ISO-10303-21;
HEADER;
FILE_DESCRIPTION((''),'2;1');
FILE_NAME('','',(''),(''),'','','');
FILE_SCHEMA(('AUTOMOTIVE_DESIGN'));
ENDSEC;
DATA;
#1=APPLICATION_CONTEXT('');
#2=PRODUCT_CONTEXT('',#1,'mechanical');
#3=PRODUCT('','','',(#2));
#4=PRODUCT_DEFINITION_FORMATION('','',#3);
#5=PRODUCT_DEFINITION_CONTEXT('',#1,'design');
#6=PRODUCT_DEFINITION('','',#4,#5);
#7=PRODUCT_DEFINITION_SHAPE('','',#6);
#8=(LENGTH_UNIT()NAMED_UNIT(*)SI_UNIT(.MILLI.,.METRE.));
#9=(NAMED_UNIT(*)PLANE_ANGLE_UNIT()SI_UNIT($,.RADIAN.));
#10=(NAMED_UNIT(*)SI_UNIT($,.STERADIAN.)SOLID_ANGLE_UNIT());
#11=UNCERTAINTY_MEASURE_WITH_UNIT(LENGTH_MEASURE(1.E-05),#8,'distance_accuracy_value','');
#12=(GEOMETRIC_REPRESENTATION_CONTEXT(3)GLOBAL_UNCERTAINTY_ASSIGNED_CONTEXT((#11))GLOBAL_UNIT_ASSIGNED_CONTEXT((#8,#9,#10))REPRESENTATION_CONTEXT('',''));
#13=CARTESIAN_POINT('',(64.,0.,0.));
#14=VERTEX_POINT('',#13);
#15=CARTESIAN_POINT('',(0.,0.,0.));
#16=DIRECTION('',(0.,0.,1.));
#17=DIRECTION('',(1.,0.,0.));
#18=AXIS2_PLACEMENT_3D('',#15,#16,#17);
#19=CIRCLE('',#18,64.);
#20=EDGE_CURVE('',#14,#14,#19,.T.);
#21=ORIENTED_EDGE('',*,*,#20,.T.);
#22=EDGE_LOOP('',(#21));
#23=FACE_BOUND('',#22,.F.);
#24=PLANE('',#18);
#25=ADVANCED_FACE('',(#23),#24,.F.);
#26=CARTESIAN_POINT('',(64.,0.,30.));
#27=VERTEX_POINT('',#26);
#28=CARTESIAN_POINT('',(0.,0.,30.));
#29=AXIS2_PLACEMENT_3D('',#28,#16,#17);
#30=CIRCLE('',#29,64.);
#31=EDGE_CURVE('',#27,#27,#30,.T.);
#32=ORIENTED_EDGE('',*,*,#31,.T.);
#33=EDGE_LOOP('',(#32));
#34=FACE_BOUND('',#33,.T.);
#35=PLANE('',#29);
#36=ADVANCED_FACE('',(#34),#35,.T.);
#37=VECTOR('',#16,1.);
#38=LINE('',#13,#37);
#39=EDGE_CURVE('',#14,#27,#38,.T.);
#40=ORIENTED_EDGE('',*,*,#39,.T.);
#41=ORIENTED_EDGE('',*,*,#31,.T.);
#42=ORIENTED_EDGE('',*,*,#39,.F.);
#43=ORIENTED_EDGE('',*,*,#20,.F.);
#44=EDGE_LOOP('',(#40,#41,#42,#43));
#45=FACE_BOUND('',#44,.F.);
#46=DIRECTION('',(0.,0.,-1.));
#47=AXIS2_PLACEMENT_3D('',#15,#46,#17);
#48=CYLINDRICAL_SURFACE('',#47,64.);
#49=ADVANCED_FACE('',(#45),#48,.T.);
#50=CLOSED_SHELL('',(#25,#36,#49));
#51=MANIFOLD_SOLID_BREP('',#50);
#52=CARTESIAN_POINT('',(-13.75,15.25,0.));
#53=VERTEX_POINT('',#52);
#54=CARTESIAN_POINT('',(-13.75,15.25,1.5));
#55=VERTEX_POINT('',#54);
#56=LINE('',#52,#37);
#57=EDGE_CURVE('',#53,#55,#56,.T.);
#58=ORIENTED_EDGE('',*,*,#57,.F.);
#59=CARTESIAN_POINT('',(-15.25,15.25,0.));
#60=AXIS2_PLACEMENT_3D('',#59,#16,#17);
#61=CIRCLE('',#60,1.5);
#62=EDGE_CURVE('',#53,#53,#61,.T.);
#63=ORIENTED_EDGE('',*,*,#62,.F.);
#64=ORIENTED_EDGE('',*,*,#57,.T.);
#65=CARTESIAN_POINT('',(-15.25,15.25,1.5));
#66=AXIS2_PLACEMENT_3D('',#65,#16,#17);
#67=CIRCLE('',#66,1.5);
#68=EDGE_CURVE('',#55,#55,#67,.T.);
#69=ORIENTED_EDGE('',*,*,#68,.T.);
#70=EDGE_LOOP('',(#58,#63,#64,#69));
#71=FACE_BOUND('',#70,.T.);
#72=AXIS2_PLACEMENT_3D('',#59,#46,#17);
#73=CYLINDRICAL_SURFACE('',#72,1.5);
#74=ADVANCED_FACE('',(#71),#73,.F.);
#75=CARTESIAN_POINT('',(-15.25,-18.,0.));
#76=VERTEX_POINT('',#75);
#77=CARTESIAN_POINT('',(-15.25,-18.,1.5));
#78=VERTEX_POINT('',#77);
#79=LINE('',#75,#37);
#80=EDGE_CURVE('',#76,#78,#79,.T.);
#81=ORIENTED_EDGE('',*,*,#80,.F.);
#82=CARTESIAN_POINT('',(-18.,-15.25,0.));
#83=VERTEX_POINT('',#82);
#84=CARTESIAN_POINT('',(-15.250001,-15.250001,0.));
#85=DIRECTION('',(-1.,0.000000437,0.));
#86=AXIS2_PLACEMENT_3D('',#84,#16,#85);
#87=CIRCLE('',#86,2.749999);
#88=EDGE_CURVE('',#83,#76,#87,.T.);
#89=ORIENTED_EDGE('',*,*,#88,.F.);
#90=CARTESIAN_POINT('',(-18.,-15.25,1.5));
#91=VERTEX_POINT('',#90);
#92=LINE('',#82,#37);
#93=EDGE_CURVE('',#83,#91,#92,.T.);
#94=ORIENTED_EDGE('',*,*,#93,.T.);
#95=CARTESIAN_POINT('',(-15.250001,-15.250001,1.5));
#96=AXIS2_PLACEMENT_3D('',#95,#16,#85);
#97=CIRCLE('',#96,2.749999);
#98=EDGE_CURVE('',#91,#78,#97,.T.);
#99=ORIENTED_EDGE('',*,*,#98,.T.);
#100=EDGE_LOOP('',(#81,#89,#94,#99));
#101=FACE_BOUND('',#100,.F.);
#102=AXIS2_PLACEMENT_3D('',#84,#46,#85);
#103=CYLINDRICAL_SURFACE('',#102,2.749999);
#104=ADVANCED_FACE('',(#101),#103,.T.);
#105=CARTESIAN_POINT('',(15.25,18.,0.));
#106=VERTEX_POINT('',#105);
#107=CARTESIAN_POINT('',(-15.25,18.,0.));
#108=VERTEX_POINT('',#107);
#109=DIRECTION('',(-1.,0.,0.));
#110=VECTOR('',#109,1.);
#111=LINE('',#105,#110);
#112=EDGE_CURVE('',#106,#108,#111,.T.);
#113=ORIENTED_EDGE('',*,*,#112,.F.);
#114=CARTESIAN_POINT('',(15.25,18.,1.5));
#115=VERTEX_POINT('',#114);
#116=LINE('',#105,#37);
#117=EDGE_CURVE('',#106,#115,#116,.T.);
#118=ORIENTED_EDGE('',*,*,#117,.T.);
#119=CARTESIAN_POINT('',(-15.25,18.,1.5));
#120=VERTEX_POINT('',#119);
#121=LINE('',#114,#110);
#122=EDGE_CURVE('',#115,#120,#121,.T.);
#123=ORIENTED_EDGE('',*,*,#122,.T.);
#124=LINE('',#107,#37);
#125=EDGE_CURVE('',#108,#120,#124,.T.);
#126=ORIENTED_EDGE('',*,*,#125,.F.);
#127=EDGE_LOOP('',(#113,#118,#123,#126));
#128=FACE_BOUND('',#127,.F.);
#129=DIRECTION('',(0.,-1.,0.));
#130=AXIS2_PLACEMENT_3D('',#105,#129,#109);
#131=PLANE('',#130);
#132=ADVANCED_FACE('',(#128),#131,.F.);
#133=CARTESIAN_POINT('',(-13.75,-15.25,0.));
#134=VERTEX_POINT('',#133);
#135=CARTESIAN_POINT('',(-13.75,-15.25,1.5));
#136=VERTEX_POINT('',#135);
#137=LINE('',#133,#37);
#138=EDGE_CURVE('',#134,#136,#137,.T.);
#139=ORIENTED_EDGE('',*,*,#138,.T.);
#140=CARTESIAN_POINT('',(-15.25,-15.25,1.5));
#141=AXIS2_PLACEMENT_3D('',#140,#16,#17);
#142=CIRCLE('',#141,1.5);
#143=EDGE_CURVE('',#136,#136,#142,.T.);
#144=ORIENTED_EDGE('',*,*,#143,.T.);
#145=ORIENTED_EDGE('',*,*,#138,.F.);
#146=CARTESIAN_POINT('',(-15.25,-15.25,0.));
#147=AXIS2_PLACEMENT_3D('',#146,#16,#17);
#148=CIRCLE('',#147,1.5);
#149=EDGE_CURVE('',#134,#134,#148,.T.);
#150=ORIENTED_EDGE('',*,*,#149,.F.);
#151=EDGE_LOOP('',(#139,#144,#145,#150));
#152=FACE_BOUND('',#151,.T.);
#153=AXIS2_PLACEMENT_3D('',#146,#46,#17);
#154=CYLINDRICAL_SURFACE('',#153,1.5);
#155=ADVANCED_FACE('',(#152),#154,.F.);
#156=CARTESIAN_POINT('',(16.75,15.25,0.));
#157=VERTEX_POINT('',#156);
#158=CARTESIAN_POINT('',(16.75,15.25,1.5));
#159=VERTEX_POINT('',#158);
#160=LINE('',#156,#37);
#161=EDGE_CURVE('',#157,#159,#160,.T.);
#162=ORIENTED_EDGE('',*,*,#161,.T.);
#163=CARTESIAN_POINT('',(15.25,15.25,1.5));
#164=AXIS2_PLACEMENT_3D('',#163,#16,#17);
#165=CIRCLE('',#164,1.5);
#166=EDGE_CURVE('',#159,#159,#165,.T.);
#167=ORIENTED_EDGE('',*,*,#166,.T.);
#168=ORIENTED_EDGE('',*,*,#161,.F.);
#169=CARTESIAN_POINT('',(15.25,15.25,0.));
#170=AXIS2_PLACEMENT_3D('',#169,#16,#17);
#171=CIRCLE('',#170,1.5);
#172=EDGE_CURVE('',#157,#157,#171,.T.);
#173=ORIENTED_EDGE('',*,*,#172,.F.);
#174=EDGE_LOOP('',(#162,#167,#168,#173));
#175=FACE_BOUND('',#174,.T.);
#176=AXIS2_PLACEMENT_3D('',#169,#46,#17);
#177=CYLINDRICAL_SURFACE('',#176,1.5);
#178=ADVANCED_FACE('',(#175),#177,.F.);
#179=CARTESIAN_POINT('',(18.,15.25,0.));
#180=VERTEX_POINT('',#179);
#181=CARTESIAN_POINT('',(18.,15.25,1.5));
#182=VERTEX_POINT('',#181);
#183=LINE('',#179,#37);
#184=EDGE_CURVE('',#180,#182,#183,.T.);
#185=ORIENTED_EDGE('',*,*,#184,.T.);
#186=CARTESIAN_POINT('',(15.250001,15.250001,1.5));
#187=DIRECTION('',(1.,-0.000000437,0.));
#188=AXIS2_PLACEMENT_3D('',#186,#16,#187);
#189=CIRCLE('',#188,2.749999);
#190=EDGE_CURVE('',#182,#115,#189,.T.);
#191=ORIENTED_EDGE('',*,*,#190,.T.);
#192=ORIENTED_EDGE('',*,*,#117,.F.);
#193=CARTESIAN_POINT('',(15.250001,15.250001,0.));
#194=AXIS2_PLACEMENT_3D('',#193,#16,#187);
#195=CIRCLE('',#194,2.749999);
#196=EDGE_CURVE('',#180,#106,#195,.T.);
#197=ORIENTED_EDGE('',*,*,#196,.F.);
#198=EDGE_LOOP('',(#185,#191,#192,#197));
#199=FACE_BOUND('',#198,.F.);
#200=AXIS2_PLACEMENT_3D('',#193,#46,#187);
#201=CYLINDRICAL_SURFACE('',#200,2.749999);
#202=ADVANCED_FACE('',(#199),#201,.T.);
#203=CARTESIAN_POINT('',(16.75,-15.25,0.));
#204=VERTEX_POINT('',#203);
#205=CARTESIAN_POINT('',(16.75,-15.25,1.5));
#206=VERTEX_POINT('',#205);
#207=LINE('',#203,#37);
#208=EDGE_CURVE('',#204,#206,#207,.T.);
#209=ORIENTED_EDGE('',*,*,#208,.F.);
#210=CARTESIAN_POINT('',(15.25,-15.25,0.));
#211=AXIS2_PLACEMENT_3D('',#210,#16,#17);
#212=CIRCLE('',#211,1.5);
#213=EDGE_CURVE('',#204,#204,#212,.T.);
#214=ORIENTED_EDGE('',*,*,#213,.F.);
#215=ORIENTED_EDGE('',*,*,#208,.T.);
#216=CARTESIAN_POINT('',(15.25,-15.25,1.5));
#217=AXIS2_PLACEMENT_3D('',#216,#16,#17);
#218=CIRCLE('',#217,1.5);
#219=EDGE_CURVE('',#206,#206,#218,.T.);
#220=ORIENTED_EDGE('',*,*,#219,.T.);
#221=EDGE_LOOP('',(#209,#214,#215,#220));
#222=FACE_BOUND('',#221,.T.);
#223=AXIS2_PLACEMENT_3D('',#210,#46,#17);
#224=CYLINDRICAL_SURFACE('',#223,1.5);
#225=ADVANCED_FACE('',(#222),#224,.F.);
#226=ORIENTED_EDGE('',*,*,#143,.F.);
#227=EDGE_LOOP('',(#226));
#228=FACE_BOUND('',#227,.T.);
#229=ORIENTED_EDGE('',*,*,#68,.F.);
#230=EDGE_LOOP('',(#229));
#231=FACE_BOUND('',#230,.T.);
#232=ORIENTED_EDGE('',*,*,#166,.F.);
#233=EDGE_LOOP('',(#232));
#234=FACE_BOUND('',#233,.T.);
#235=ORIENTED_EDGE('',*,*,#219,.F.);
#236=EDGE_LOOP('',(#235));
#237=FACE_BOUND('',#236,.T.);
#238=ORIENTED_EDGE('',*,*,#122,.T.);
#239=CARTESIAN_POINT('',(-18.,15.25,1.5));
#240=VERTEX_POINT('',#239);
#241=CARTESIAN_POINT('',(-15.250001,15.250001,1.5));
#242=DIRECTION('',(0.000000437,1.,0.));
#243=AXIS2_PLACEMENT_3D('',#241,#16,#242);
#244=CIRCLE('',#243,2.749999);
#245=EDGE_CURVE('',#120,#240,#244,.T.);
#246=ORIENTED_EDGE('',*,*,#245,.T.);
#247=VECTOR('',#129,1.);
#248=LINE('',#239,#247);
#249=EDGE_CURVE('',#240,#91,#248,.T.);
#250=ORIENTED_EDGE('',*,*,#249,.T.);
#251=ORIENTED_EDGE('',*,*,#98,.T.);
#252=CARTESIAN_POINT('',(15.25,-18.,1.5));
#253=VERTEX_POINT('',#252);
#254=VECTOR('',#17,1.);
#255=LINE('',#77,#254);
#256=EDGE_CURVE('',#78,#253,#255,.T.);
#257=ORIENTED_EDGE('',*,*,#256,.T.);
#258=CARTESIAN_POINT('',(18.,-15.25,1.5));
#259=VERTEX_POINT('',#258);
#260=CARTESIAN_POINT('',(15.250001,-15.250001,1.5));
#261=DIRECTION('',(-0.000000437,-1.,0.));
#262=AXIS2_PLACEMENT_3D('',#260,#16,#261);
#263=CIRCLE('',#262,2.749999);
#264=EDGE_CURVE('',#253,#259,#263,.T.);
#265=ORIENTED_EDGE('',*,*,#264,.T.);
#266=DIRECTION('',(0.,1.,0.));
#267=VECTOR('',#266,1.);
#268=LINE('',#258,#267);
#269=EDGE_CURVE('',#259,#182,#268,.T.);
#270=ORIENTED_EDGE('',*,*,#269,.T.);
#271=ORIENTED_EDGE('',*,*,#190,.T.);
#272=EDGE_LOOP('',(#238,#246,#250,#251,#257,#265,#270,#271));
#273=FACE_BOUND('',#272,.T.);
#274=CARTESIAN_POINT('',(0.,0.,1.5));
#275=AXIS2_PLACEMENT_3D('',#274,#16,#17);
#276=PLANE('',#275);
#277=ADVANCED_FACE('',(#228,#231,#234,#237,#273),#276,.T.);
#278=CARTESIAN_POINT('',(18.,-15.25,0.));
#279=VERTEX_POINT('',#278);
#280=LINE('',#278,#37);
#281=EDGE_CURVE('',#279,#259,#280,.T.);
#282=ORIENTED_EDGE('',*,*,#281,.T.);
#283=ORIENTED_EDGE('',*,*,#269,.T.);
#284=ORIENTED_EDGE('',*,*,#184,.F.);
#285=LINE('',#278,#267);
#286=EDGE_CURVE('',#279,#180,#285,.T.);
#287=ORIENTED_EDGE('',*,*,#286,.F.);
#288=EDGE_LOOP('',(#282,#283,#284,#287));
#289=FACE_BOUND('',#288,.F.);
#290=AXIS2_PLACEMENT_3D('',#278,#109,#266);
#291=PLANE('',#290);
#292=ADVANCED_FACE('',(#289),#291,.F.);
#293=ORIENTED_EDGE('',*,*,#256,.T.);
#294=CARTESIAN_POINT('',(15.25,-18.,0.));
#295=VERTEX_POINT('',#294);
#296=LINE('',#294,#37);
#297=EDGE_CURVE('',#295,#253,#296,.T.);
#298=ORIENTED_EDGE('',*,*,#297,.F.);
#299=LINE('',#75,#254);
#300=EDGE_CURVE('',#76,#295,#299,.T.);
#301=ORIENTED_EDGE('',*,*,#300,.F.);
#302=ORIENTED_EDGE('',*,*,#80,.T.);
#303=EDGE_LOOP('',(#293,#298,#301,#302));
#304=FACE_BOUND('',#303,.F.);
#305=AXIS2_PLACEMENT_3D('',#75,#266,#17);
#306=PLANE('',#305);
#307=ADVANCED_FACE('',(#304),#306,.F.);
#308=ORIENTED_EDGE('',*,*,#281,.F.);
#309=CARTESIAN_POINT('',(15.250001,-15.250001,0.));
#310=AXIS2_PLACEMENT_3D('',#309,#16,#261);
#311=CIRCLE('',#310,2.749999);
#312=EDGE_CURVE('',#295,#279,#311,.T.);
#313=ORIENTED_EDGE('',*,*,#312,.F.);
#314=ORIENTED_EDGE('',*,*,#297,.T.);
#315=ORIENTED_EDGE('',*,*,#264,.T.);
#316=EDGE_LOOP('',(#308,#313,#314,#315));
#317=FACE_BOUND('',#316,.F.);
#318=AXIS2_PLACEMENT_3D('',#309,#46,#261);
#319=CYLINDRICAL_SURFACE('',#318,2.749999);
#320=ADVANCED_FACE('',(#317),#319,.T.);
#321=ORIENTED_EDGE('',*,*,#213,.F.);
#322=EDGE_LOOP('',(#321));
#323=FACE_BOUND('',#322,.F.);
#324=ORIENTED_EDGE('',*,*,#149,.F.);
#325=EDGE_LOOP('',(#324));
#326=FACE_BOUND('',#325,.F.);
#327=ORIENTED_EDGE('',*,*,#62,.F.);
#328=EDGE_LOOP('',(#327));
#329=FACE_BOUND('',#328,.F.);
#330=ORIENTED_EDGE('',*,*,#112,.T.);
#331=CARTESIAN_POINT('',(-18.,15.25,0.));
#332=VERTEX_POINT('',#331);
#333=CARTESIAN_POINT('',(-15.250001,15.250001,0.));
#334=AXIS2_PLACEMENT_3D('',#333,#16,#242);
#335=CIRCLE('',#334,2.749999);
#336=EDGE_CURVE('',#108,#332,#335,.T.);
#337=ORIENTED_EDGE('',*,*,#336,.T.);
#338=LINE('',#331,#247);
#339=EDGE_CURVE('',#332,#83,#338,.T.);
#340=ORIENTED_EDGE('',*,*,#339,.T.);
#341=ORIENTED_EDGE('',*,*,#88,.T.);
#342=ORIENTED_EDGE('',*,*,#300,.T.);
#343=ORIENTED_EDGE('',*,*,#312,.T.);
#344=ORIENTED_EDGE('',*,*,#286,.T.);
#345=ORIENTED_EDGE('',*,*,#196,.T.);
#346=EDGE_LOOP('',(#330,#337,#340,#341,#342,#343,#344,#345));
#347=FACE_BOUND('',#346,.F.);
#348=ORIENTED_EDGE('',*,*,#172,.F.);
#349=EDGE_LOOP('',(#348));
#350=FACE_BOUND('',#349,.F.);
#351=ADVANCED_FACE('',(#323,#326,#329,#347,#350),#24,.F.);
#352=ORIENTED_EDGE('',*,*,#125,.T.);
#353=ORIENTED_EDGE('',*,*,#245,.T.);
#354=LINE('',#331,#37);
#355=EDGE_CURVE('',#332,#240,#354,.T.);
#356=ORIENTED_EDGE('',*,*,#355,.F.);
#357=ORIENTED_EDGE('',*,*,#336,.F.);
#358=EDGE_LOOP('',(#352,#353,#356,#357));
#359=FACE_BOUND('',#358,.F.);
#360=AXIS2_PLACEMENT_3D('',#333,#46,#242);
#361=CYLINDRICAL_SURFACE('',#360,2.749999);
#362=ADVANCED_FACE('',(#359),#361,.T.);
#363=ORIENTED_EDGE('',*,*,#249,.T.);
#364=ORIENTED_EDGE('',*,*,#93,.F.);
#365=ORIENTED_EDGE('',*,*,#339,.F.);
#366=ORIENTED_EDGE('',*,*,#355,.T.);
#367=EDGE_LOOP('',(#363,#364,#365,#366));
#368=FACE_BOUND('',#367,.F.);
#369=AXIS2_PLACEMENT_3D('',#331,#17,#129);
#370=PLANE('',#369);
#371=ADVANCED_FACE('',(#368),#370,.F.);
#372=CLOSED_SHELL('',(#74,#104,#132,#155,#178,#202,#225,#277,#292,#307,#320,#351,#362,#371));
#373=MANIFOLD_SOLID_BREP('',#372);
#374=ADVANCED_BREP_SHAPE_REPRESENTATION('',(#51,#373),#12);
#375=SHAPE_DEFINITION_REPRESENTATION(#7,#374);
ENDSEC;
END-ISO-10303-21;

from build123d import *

# Parameters (mm, degrees)
F0_R     = 1.5
F1_DEPTH = 1.5
F2_R     = 64
F3_DEPTH = 30


with BuildPart() as f1:
    # F0 (on Top) → F1 (new body)
    with BuildSketch(Plane.XY):
        with BuildLine():
            Line((0, 18), (-15.25, 18))
            ThreePointArc((-15.25, 18), (-17.194544, 17.194544), (-18, 15.25))
            Line((-18, 15.25), (-18, 0))
            Line((-18, 0), (-18, -15.25))
            ThreePointArc((-18, -15.25), (-17.194544, -17.194544), (-15.25, -18))
            Line((-15.25, -18), (0, -18))
            Line((0, -18), (15.25, -18))
            ThreePointArc((15.25, -18), (17.194544, -17.194544), (18, -15.25))
            Line((18, -15.25), (18, 0))
            Line((18, 0), (18, 15.25))
            ThreePointArc((18, 15.25), (17.194544, 17.194544), (15.25, 18))
            Line((15.25, 18), (0, 18))
        make_face()
        with Locations((-15.25, -15.25)):
            Circle(F0_R, mode=Mode.SUBTRACT)
        with Locations((15.25, -15.25)):
            Circle(F0_R, mode=Mode.SUBTRACT)
        with Locations((-15.25, 15.25)):
            Circle(F0_R, mode=Mode.SUBTRACT)
        with Locations((15.25, 15.25)):
            Circle(F0_R, mode=Mode.SUBTRACT)
    extrude(amount=F1_DEPTH)


with BuildPart() as f3:
    # F2 (on Top) → F3 (new body)
    with BuildSketch(Plane.XY):
        Circle(F2_R)
    extrude(amount=F3_DEPTH)


solid = Compound([f1.part, f3.part])
